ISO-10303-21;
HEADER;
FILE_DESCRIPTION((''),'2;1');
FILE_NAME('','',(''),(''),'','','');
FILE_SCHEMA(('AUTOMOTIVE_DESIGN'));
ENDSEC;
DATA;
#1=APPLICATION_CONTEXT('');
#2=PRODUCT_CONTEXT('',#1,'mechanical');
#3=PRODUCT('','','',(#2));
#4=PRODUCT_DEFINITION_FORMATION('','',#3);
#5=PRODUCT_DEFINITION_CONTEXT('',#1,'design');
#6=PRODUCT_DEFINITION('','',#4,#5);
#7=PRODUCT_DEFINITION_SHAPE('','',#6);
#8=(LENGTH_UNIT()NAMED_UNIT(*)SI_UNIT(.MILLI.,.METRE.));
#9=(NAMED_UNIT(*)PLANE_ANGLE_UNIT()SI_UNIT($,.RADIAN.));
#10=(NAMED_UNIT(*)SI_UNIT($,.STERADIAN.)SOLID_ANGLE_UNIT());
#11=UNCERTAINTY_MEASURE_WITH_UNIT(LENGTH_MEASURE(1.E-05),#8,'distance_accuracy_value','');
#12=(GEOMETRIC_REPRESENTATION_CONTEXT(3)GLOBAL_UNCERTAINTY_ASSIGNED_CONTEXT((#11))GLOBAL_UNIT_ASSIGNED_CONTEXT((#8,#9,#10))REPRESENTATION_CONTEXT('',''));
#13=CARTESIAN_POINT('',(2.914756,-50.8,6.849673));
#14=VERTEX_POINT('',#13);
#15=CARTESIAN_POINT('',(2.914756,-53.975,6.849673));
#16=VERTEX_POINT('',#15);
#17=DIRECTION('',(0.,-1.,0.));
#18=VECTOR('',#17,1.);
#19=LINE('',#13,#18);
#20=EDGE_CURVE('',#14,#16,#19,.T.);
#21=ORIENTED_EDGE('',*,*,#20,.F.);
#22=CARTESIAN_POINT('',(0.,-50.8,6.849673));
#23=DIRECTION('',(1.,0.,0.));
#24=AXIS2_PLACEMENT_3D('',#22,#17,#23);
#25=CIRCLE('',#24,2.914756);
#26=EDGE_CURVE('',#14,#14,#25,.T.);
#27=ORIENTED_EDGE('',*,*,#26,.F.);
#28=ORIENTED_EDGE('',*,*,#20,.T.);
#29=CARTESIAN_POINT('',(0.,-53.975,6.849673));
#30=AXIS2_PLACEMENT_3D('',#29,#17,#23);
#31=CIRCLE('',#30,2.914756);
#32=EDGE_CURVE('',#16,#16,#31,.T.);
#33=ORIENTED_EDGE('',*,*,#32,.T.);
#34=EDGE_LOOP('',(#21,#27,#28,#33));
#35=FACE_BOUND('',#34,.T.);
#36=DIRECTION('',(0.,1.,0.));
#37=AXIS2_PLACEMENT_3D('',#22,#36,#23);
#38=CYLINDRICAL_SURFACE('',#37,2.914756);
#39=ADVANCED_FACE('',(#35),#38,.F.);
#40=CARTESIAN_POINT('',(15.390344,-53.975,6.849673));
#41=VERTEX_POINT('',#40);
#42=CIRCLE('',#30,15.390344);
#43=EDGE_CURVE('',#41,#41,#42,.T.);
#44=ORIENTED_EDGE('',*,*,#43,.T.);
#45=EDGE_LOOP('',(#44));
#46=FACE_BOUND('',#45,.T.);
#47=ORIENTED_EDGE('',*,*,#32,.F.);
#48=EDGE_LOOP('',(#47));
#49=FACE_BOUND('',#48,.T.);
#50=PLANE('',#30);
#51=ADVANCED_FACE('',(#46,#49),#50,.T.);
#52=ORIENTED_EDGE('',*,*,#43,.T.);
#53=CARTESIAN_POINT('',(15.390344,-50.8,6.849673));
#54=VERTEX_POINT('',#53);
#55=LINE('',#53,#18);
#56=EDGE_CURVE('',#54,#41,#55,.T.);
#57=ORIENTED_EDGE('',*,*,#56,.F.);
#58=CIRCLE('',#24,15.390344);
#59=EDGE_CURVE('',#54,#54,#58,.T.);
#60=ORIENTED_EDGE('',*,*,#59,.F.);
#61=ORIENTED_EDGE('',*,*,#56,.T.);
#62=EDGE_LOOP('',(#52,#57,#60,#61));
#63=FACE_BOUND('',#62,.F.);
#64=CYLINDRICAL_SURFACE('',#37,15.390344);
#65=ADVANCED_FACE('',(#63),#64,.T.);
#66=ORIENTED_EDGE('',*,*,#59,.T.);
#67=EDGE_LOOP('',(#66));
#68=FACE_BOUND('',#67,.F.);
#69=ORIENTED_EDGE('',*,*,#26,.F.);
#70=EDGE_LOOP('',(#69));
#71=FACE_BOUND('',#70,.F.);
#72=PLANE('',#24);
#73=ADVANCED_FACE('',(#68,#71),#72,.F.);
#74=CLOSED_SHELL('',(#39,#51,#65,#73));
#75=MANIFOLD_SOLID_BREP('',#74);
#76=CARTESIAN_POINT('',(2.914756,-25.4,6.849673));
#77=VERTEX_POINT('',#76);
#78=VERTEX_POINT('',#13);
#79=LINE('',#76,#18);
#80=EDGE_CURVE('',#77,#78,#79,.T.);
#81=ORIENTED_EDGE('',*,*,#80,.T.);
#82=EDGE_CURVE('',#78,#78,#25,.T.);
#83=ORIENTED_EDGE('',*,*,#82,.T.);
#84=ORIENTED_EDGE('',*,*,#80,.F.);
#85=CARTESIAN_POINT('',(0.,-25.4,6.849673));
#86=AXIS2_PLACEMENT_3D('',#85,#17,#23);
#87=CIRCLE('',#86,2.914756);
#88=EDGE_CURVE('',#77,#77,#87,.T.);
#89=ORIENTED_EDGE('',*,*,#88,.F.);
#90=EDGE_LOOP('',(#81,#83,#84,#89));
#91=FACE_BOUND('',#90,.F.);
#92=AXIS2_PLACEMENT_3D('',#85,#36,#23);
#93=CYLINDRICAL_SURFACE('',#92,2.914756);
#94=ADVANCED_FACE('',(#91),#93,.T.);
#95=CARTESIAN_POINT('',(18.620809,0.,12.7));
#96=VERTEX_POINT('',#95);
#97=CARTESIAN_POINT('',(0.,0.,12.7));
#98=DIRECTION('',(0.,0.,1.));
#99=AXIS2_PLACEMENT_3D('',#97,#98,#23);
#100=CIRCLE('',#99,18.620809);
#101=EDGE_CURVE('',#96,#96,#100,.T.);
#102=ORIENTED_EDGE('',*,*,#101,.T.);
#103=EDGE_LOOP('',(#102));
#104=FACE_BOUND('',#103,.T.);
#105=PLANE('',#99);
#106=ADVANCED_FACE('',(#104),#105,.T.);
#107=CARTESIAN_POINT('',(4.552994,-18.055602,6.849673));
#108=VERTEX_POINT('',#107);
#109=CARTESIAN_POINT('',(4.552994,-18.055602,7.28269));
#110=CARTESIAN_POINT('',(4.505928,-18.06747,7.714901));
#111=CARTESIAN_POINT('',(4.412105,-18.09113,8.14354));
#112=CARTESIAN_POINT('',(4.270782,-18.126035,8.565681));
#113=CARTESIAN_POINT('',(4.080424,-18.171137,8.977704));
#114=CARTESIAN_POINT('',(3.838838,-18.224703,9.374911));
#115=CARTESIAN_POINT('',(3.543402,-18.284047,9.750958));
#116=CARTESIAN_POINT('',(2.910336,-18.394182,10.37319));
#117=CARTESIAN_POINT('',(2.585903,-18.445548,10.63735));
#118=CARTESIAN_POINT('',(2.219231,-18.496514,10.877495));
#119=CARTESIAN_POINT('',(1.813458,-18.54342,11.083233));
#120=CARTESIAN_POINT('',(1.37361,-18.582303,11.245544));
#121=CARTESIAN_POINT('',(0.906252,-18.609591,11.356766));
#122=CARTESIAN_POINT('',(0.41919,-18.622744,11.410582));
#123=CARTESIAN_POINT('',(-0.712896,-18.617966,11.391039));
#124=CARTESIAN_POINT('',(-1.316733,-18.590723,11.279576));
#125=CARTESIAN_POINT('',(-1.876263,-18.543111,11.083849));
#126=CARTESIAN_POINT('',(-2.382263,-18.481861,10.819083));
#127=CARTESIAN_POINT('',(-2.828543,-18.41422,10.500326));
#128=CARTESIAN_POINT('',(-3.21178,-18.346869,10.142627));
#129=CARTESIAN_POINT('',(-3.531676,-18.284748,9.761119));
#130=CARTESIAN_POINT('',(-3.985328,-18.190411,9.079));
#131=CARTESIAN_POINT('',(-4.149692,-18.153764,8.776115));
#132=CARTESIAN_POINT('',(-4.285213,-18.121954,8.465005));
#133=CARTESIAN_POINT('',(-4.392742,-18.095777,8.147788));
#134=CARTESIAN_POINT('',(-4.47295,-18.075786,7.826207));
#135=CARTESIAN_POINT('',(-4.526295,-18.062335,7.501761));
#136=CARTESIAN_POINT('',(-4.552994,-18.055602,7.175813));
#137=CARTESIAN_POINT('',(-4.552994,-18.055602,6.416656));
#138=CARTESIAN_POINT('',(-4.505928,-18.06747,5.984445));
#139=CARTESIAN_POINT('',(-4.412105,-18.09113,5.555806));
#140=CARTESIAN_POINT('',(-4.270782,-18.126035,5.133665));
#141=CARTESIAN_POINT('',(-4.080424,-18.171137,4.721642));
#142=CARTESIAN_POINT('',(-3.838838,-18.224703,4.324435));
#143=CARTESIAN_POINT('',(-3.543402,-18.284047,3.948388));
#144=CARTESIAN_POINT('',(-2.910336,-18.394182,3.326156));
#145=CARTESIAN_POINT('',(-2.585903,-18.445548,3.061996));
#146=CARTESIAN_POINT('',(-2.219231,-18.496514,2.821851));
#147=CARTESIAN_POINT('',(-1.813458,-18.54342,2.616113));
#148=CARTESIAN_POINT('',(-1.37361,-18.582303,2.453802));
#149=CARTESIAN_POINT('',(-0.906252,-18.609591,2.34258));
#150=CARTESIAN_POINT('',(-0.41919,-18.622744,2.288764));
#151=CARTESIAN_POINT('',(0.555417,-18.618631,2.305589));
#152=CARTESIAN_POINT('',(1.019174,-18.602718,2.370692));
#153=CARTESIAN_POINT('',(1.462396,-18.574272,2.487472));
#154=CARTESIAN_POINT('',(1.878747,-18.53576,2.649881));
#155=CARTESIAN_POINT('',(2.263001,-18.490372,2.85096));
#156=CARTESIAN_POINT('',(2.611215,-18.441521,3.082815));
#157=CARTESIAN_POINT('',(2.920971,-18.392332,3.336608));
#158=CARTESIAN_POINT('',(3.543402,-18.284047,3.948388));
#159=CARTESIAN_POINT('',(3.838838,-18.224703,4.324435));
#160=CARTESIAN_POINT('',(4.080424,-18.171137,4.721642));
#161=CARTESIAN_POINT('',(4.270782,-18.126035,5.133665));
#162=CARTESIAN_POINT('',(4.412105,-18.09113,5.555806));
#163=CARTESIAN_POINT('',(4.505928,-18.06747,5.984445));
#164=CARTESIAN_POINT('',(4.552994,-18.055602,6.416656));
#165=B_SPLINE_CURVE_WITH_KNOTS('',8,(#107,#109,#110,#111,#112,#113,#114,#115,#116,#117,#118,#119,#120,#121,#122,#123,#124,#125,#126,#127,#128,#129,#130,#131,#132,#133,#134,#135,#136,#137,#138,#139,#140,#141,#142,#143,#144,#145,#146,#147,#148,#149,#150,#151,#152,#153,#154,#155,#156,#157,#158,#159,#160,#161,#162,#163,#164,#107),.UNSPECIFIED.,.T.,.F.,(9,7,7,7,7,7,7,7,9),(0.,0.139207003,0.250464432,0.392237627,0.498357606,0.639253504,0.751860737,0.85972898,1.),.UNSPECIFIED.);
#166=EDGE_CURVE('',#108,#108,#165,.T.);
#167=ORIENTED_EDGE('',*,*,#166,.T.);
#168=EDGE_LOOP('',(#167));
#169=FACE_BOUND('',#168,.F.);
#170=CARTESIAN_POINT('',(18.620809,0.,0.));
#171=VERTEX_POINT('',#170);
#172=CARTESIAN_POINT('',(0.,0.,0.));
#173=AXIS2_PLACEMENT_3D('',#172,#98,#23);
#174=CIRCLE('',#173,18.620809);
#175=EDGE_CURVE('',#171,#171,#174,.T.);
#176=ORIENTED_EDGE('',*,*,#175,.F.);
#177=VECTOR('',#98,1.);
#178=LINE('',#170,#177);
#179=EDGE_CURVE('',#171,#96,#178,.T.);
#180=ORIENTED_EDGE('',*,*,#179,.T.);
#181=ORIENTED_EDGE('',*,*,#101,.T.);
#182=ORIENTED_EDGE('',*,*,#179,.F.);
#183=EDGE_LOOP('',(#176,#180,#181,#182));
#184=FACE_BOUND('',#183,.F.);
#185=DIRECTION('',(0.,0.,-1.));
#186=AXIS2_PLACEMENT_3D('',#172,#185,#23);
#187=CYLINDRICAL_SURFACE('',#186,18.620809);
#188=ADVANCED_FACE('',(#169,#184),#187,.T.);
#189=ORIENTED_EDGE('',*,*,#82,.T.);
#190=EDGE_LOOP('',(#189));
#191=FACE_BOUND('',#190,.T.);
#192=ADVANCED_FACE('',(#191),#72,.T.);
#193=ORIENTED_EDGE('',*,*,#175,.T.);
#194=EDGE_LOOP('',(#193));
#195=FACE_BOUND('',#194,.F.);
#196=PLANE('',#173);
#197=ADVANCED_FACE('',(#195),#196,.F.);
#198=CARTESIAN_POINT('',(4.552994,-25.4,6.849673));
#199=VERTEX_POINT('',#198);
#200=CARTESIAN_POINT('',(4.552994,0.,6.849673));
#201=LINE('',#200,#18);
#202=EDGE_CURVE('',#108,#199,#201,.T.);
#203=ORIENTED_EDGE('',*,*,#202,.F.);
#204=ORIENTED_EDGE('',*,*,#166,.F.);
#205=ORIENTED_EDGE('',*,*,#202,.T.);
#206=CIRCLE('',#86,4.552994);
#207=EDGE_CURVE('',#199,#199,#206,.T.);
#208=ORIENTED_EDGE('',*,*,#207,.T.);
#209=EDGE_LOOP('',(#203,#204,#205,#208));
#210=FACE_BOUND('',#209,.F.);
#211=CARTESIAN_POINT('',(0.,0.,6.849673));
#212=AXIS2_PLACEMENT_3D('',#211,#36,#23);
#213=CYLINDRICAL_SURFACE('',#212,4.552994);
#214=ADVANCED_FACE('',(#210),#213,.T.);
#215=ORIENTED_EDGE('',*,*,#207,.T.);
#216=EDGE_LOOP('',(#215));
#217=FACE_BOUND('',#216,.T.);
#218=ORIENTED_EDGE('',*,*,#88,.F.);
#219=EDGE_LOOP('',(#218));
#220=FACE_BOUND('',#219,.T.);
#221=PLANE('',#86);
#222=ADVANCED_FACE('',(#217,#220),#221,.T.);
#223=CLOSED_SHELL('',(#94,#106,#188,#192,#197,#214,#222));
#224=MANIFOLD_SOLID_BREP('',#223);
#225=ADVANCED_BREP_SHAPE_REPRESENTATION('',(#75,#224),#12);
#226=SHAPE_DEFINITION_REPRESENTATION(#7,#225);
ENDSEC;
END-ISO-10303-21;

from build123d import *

# Parameters (mm, degrees)
F0_R     = 18.620809
F1_DEPTH = 12.7
F2_R     = 4.552994
F3_DEPTH = 25.4
F4_R     = 2.914756
F5_DEPTH = 25.4
F6_R     = 15.390344
F6_R_2   = 2.914756
F7_DEPTH = 3.175


with BuildPart() as f1:
    # F0 (on Top) → F1 (new body)
    with BuildSketch(Plane.XY):
        Circle(F0_R)
    extrude(amount=F1_DEPTH)

    # F2 (on Front) → F3 (join)
    with BuildSketch(Plane.XZ):
        with Locations((0, 6.849673)):
            Circle(F2_R)
    extrude(amount=F3_DEPTH)

    # F4 (on face) → F5 (join)
    with BuildSketch(Plane.XZ.offset(25.4)):
        with Locations((0, 6.849673)):
            Circle(F4_R)
    extrude(amount=F5_DEPTH)


with BuildPart() as f7:
    # F6 (on face) → F7 (new body)
    with BuildSketch(Plane.XZ.offset(50.8)):
        with Locations((0, 6.849673)):
            Circle(F6_R)
        with Locations((0, 6.849673)):
            Circle(F6_R_2, mode=Mode.SUBTRACT)
    extrude(amount=F7_DEPTH)


solid = Compound([f1.part, f7.part])
